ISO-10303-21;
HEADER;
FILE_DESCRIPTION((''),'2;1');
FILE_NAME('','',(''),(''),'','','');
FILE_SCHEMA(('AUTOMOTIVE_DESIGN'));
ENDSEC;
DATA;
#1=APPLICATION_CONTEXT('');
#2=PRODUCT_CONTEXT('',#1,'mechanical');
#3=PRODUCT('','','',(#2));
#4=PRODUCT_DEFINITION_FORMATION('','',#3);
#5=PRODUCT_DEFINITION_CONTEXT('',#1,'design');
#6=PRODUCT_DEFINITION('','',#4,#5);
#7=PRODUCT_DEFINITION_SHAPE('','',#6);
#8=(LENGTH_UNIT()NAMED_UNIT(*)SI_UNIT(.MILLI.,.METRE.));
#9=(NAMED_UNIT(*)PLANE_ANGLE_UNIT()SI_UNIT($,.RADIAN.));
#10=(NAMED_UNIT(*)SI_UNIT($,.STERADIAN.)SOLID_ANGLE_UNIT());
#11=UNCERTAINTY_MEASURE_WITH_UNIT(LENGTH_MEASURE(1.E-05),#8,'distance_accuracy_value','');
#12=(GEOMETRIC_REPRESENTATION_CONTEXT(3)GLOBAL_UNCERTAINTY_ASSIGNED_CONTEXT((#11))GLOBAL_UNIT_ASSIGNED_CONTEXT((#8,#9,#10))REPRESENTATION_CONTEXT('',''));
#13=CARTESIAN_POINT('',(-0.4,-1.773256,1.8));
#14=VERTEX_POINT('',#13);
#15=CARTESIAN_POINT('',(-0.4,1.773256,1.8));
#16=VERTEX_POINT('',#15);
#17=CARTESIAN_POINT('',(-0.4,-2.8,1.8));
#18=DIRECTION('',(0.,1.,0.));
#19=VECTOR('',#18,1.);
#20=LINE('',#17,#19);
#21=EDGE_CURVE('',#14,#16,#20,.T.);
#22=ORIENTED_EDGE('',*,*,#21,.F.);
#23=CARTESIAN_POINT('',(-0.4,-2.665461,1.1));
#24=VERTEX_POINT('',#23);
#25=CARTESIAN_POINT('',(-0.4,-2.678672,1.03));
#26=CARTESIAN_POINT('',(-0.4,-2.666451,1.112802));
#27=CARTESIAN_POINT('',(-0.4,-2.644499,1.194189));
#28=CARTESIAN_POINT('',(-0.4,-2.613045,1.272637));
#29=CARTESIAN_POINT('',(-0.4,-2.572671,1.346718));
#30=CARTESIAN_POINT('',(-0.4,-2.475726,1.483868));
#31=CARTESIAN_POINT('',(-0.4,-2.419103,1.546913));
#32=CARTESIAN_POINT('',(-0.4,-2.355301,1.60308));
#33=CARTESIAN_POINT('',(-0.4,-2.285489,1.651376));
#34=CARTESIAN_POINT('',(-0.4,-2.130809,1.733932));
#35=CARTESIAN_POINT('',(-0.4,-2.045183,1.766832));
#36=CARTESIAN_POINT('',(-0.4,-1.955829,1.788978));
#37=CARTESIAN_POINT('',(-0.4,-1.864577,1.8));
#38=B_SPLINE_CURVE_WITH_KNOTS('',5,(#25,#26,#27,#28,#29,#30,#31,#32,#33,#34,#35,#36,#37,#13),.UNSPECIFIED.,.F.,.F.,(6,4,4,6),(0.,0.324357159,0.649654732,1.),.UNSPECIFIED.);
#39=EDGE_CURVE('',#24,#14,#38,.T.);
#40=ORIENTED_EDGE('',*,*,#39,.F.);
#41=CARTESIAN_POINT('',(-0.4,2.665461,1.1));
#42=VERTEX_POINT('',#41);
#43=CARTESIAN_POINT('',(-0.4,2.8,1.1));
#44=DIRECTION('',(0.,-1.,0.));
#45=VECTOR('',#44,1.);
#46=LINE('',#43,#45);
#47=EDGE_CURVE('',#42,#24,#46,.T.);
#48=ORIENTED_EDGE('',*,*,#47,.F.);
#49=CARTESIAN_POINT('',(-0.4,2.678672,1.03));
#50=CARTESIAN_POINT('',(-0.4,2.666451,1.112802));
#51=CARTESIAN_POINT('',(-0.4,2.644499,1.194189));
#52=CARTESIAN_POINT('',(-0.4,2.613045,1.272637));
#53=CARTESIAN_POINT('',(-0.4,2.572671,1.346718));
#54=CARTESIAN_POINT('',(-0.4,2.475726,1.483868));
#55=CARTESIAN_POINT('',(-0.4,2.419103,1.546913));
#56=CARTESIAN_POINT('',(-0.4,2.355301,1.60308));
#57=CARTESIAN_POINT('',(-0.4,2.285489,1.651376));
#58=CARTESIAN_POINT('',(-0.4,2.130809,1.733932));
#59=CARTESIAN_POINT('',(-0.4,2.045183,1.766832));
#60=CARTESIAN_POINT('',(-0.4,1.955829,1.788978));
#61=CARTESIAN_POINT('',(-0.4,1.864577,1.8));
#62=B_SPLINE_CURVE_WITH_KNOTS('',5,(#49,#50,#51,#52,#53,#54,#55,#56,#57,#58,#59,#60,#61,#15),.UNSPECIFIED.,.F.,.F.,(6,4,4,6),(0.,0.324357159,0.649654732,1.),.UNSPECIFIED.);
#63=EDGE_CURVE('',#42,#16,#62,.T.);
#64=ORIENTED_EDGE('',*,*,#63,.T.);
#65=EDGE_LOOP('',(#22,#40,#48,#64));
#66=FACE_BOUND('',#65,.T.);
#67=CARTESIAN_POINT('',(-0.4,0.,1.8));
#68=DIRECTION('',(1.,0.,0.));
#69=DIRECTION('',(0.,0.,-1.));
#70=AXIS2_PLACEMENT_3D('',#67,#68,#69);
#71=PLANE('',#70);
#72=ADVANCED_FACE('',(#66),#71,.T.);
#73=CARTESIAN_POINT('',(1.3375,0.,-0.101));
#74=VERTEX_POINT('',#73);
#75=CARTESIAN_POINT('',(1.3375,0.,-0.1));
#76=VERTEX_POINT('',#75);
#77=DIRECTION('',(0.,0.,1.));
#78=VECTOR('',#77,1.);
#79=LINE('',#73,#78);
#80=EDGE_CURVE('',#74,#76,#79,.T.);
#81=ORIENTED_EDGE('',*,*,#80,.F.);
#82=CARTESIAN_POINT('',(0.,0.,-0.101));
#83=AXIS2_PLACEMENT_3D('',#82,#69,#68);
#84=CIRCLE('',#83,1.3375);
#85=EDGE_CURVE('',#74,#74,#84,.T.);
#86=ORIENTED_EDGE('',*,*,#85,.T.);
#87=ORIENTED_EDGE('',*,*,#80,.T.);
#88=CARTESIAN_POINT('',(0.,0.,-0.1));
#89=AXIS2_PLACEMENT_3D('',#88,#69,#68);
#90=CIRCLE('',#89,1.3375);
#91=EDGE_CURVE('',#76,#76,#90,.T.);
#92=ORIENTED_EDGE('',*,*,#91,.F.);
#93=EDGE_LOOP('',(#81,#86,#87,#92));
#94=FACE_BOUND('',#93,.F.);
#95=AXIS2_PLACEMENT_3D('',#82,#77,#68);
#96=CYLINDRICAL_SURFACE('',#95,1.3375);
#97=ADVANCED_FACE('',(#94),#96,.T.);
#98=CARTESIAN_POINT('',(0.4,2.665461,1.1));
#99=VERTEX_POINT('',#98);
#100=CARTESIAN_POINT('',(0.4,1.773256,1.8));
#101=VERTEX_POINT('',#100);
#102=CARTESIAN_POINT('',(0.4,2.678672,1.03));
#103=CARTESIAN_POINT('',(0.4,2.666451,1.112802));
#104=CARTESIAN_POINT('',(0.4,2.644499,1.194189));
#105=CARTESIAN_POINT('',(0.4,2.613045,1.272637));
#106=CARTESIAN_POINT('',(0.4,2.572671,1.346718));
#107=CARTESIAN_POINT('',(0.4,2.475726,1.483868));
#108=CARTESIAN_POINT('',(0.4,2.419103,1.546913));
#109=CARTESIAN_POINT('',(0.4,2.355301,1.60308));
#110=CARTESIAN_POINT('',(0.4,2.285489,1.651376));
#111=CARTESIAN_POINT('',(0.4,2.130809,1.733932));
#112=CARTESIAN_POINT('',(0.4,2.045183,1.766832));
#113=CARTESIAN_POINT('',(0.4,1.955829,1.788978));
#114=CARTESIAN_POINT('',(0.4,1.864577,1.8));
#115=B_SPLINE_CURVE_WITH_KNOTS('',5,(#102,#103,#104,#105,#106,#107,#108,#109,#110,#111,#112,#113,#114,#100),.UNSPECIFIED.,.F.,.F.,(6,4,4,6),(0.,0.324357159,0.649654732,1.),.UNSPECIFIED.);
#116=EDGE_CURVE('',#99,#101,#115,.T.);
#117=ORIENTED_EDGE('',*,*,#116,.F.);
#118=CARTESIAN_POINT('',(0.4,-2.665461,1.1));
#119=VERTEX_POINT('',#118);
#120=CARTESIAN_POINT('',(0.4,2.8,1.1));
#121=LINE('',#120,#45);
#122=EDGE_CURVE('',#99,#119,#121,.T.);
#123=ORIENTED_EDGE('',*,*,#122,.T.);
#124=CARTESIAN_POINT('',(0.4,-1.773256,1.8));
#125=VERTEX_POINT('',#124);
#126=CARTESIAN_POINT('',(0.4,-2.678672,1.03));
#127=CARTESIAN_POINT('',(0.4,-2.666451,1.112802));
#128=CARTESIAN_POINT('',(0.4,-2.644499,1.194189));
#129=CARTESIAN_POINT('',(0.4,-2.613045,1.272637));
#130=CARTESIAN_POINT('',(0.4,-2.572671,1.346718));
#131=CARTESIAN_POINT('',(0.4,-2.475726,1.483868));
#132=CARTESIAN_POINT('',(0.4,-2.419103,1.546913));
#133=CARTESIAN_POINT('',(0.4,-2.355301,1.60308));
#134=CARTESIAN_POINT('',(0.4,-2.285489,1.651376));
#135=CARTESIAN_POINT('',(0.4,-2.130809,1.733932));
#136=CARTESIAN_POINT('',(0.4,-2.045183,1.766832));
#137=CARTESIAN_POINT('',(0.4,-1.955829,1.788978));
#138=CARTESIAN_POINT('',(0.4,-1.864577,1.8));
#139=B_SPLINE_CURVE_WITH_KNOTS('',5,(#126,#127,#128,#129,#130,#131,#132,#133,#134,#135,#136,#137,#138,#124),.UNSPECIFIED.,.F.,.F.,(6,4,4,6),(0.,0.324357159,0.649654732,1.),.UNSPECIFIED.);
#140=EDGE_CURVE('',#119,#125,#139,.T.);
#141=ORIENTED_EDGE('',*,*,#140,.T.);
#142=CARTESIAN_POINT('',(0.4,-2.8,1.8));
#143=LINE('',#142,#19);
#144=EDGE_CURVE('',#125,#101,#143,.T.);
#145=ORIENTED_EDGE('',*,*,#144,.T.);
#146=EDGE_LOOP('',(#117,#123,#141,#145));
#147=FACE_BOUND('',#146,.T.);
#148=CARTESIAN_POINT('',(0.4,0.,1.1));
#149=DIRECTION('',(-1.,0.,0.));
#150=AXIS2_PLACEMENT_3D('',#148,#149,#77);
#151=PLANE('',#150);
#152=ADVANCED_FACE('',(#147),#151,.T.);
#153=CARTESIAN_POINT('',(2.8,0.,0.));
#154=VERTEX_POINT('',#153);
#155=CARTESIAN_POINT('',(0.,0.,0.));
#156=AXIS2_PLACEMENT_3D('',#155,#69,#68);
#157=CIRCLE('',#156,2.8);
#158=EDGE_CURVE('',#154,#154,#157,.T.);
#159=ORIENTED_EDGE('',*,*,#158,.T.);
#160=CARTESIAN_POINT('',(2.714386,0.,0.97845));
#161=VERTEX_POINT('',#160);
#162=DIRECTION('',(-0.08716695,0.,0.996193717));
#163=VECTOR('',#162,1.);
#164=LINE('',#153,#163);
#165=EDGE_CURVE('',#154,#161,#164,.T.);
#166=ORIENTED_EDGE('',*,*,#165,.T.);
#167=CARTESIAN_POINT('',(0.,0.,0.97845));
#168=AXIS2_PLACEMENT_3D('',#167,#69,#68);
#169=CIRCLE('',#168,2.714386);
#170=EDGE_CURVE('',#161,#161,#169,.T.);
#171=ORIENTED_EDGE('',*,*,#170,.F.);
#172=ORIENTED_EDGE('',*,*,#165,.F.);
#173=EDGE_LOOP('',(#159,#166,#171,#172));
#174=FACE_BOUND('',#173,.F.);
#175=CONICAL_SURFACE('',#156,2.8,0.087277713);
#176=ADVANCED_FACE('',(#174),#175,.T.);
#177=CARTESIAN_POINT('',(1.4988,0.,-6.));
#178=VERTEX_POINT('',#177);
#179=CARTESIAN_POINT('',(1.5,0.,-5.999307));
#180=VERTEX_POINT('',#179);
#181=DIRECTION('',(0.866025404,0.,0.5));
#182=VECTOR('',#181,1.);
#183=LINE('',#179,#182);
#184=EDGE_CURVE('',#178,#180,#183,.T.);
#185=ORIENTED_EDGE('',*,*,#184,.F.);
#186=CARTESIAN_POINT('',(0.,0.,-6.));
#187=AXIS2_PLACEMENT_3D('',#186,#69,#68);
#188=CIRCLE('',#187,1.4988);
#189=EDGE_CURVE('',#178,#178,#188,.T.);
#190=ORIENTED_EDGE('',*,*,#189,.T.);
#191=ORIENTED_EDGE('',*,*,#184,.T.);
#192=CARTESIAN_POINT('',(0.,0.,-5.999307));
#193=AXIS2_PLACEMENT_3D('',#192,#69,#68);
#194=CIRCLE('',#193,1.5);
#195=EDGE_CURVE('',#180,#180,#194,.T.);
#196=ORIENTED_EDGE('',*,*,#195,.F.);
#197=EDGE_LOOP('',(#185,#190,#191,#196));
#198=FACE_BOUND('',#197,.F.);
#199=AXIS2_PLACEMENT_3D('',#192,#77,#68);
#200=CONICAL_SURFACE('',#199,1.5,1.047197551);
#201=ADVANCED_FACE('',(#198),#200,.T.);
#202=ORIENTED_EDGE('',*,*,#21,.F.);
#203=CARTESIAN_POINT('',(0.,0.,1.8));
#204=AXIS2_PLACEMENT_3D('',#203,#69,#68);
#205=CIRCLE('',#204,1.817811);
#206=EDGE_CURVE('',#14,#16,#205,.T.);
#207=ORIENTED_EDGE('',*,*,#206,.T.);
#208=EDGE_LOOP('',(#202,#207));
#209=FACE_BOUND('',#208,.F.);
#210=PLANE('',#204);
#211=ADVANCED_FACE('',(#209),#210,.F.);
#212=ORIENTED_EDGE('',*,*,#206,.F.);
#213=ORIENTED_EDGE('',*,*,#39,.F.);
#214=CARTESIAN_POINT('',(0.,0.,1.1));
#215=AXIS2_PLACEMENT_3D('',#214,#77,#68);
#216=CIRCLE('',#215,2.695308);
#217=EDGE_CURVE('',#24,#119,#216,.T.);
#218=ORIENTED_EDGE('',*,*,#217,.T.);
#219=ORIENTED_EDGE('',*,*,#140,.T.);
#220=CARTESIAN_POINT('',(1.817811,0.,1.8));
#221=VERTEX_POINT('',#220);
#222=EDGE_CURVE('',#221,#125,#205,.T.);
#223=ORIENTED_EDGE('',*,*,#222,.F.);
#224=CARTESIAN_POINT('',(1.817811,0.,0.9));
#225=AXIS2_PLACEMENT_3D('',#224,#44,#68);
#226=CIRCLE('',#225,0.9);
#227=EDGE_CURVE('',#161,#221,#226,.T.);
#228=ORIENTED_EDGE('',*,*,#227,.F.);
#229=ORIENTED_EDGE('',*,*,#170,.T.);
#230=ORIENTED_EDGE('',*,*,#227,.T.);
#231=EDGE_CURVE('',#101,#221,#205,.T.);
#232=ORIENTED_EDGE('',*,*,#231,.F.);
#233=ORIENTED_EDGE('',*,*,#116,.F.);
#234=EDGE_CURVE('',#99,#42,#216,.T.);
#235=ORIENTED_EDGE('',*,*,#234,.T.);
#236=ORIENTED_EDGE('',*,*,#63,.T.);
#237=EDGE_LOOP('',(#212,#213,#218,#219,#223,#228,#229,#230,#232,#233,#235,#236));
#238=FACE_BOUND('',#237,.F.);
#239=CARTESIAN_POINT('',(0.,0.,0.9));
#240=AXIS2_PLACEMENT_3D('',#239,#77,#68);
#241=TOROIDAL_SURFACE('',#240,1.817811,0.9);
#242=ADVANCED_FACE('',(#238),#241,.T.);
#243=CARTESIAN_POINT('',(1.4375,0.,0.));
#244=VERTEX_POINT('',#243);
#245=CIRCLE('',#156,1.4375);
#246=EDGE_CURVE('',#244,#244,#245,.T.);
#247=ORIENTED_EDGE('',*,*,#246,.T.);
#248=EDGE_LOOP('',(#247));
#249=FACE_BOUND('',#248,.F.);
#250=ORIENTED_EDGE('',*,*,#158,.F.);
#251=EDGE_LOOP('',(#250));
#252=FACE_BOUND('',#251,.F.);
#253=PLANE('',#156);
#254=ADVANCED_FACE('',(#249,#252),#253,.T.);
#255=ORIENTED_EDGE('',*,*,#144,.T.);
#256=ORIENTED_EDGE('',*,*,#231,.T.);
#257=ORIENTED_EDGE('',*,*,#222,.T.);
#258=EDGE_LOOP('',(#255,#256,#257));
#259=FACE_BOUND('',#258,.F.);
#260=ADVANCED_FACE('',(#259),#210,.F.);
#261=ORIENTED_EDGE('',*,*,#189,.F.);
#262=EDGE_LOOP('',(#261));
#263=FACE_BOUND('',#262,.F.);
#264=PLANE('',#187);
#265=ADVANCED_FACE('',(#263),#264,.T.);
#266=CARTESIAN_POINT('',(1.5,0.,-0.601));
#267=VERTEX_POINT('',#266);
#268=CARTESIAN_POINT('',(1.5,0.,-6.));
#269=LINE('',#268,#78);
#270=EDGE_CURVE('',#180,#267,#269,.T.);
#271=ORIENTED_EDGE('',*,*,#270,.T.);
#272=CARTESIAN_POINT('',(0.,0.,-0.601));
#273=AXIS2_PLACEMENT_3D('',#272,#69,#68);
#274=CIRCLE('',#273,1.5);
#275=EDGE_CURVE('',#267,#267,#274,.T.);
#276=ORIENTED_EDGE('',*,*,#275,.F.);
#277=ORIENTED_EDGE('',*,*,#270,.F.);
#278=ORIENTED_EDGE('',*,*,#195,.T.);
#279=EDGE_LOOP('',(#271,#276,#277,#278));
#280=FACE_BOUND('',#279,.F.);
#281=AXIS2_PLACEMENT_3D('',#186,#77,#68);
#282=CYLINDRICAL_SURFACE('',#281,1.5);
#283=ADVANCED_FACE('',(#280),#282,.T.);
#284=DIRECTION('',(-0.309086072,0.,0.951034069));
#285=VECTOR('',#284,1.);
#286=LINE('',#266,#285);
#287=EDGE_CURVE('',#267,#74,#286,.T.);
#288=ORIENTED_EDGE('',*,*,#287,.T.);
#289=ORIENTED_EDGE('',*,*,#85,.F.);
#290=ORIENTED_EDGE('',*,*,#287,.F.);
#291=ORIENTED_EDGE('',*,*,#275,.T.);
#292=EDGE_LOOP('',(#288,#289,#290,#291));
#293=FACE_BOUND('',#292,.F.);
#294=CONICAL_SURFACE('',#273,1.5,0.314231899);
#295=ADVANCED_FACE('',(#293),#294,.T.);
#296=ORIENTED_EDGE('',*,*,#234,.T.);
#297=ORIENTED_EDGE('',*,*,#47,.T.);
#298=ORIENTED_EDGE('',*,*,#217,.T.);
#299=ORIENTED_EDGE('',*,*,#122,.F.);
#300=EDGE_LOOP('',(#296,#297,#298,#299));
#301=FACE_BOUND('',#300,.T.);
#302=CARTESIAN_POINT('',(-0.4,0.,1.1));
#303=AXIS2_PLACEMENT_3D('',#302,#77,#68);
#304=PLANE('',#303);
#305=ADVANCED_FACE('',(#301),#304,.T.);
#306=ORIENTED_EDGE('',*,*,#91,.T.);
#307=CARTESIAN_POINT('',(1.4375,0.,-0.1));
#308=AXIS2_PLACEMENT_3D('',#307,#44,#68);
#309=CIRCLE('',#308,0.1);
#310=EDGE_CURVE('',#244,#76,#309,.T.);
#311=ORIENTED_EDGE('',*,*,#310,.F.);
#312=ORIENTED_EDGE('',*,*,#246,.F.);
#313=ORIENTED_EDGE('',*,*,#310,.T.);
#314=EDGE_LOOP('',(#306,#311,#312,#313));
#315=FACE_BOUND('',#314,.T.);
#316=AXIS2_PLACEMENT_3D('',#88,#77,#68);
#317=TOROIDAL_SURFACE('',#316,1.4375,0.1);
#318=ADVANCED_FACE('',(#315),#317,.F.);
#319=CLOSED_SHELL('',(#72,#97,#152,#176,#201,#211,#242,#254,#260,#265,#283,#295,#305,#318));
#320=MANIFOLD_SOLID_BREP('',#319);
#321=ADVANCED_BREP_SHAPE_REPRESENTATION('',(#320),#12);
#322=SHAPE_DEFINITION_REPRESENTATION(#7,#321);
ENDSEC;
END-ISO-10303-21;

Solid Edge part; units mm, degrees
sketch "Sketch1" plane through (0, 0, 0) normal (0, -1, 0) x (1, 0, 0)
  line L0 (0, -6) -> (1.5, -6)
  line L1 (1.5, -6) -> (1.5, -0.601)
  line L2 (1.5, -0.601) -> (1.3375, -0.101)
  line L3 (1.3375, -0.101) -> (1.3375, 0)
  line L4 (1.3375, 0) -> (2.8, 0)
  line L5 (2.8, 0) -> (2.6425, 1.8)
  line L6 (2.6425, 1.8) -> (0, 1.8)
  dimension "D1" = 1.5
  dimension "D2" = 1.3375
  dimension "D3" = 6
  dimension "D4" = 5.399
  dimension "D5" = 0.5
  dimension "D6" = 2.8
  dimension "D7" = 1.8
revolve "RevolvedProtrusion1" add sketch "Sketch1" angle 360 about axis through (0, 0, 6) along (0, 0, -1)
fillet "Round_1" radius 0.9 1 edges at (-2.6425, 0, 1.8)
sketch "Sketch2" plane through (0, 0, 0) normal (0, -1, 0) x (1, 0, 0)
  line L0 (-0.4, 1.8) -> (-0.4, 1.1)
  line L1 (-0.4, 1.1) -> (0.4, 1.1)
  line L2 (0.4, 1.1) -> (0.4, 1.8)
  line L3 (0.4, 1.8) -> (-0.4, 1.8)
  dimension "D1" = 0.8
  dimension "D2" = 0.7
  dimension "D3" = 1.8
extrude "ExtrudedCutout_1" cut sketch "Sketch2" along normal mid plane 5.6
cosmetic_thread "Thread_1" size "M3" thread depth 5.399
fillet "Round_2" radius 0.1 1 edges at (-1.3375, 0, 0)
chamfer "Chamfer_1" distance 0.0012 angle 30 1 edges at (-1.5, 0, -6) measured on face at (1.03, 0.97, -6)
properties material "Steel"
